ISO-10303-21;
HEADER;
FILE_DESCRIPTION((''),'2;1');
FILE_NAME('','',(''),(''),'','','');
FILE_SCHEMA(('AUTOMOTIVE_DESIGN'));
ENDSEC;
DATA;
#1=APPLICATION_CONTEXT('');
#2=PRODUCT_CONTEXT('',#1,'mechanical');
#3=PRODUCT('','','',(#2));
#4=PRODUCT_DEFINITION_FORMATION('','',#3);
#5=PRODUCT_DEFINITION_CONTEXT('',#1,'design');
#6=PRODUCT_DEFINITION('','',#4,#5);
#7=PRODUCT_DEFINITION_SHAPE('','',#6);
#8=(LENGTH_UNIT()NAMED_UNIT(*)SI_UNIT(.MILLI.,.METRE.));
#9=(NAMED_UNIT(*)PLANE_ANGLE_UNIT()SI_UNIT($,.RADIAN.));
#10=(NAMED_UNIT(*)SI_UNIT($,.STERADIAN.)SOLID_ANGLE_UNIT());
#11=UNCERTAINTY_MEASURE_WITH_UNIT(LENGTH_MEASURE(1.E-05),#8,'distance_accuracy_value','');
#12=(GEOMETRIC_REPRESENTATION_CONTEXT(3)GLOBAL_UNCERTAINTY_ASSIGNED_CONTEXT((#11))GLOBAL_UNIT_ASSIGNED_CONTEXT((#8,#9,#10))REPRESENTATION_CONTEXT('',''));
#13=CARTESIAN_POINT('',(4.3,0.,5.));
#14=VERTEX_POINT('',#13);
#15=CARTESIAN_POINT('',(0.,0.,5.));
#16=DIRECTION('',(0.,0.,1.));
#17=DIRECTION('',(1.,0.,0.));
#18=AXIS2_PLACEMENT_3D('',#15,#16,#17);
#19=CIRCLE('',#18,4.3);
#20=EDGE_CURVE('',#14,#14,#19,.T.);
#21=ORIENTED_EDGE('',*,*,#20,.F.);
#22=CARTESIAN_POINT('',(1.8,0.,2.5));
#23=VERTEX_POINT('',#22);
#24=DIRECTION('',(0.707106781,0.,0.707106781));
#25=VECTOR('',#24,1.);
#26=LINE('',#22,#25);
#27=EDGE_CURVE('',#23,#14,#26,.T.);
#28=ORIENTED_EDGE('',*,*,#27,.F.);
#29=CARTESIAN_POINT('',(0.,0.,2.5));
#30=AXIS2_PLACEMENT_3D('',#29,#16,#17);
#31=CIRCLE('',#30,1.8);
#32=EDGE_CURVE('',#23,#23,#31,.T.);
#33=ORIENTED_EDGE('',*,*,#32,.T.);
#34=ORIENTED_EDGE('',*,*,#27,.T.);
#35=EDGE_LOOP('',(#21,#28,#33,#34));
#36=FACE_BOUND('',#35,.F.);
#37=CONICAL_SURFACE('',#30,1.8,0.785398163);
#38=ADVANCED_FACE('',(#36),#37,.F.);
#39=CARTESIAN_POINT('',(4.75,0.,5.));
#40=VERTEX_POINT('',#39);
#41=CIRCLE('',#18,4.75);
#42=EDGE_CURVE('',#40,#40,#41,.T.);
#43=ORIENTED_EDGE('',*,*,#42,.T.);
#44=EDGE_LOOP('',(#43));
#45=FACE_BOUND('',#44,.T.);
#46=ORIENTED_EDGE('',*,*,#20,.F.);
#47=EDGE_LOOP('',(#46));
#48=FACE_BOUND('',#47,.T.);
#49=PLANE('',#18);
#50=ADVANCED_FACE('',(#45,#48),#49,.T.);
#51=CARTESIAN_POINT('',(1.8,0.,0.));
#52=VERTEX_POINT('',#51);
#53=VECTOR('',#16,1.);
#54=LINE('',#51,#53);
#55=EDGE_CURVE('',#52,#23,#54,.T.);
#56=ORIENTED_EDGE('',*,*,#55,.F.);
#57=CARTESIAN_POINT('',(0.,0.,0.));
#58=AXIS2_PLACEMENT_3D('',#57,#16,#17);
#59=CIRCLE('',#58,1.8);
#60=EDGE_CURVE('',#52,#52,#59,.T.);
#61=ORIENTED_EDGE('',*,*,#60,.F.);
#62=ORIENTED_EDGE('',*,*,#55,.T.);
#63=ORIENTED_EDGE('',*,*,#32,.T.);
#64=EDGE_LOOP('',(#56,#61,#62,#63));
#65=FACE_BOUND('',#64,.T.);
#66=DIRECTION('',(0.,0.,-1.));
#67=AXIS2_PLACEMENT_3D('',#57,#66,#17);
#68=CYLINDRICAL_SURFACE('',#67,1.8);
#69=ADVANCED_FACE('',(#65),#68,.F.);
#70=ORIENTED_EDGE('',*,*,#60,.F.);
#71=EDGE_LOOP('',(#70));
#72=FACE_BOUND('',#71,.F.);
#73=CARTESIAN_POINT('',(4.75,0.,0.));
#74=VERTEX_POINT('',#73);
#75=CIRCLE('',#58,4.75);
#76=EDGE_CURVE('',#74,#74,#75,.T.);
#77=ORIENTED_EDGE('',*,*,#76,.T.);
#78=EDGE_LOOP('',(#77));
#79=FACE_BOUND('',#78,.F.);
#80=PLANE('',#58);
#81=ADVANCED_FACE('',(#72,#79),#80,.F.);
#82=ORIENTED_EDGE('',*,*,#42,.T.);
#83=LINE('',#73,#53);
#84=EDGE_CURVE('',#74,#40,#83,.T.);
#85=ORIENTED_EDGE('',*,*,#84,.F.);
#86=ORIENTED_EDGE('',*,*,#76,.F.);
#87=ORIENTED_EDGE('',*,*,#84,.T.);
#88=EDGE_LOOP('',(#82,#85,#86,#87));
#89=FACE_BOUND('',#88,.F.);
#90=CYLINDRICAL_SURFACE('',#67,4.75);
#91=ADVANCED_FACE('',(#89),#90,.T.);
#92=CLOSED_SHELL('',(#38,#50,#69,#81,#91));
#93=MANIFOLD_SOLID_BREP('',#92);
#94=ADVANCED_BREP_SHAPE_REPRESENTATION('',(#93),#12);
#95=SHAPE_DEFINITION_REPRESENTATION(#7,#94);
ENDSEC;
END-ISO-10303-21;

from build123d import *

# Parameters (mm, degrees)
SKETCH_R     = 4.75
SKETCH_R_2   = 1.8
PAD_DEPTH    = 5
CHAMFER_SIZE = 2.5


with BuildPart() as part:
    # Sketch → Pad (new body)
    with BuildSketch(Plane.XY):
        Circle(SKETCH_R)
        Circle(SKETCH_R_2, mode=Mode.SUBTRACT)
    extrude(amount=PAD_DEPTH)

    # Chamfer
    chamfer_edges = [part.edges().sort_by_distance(p)[0] for p in [
        (-1.8, 0, 5),
    ]]
    chamfer(chamfer_edges, length=CHAMFER_SIZE)


solid = part.part
